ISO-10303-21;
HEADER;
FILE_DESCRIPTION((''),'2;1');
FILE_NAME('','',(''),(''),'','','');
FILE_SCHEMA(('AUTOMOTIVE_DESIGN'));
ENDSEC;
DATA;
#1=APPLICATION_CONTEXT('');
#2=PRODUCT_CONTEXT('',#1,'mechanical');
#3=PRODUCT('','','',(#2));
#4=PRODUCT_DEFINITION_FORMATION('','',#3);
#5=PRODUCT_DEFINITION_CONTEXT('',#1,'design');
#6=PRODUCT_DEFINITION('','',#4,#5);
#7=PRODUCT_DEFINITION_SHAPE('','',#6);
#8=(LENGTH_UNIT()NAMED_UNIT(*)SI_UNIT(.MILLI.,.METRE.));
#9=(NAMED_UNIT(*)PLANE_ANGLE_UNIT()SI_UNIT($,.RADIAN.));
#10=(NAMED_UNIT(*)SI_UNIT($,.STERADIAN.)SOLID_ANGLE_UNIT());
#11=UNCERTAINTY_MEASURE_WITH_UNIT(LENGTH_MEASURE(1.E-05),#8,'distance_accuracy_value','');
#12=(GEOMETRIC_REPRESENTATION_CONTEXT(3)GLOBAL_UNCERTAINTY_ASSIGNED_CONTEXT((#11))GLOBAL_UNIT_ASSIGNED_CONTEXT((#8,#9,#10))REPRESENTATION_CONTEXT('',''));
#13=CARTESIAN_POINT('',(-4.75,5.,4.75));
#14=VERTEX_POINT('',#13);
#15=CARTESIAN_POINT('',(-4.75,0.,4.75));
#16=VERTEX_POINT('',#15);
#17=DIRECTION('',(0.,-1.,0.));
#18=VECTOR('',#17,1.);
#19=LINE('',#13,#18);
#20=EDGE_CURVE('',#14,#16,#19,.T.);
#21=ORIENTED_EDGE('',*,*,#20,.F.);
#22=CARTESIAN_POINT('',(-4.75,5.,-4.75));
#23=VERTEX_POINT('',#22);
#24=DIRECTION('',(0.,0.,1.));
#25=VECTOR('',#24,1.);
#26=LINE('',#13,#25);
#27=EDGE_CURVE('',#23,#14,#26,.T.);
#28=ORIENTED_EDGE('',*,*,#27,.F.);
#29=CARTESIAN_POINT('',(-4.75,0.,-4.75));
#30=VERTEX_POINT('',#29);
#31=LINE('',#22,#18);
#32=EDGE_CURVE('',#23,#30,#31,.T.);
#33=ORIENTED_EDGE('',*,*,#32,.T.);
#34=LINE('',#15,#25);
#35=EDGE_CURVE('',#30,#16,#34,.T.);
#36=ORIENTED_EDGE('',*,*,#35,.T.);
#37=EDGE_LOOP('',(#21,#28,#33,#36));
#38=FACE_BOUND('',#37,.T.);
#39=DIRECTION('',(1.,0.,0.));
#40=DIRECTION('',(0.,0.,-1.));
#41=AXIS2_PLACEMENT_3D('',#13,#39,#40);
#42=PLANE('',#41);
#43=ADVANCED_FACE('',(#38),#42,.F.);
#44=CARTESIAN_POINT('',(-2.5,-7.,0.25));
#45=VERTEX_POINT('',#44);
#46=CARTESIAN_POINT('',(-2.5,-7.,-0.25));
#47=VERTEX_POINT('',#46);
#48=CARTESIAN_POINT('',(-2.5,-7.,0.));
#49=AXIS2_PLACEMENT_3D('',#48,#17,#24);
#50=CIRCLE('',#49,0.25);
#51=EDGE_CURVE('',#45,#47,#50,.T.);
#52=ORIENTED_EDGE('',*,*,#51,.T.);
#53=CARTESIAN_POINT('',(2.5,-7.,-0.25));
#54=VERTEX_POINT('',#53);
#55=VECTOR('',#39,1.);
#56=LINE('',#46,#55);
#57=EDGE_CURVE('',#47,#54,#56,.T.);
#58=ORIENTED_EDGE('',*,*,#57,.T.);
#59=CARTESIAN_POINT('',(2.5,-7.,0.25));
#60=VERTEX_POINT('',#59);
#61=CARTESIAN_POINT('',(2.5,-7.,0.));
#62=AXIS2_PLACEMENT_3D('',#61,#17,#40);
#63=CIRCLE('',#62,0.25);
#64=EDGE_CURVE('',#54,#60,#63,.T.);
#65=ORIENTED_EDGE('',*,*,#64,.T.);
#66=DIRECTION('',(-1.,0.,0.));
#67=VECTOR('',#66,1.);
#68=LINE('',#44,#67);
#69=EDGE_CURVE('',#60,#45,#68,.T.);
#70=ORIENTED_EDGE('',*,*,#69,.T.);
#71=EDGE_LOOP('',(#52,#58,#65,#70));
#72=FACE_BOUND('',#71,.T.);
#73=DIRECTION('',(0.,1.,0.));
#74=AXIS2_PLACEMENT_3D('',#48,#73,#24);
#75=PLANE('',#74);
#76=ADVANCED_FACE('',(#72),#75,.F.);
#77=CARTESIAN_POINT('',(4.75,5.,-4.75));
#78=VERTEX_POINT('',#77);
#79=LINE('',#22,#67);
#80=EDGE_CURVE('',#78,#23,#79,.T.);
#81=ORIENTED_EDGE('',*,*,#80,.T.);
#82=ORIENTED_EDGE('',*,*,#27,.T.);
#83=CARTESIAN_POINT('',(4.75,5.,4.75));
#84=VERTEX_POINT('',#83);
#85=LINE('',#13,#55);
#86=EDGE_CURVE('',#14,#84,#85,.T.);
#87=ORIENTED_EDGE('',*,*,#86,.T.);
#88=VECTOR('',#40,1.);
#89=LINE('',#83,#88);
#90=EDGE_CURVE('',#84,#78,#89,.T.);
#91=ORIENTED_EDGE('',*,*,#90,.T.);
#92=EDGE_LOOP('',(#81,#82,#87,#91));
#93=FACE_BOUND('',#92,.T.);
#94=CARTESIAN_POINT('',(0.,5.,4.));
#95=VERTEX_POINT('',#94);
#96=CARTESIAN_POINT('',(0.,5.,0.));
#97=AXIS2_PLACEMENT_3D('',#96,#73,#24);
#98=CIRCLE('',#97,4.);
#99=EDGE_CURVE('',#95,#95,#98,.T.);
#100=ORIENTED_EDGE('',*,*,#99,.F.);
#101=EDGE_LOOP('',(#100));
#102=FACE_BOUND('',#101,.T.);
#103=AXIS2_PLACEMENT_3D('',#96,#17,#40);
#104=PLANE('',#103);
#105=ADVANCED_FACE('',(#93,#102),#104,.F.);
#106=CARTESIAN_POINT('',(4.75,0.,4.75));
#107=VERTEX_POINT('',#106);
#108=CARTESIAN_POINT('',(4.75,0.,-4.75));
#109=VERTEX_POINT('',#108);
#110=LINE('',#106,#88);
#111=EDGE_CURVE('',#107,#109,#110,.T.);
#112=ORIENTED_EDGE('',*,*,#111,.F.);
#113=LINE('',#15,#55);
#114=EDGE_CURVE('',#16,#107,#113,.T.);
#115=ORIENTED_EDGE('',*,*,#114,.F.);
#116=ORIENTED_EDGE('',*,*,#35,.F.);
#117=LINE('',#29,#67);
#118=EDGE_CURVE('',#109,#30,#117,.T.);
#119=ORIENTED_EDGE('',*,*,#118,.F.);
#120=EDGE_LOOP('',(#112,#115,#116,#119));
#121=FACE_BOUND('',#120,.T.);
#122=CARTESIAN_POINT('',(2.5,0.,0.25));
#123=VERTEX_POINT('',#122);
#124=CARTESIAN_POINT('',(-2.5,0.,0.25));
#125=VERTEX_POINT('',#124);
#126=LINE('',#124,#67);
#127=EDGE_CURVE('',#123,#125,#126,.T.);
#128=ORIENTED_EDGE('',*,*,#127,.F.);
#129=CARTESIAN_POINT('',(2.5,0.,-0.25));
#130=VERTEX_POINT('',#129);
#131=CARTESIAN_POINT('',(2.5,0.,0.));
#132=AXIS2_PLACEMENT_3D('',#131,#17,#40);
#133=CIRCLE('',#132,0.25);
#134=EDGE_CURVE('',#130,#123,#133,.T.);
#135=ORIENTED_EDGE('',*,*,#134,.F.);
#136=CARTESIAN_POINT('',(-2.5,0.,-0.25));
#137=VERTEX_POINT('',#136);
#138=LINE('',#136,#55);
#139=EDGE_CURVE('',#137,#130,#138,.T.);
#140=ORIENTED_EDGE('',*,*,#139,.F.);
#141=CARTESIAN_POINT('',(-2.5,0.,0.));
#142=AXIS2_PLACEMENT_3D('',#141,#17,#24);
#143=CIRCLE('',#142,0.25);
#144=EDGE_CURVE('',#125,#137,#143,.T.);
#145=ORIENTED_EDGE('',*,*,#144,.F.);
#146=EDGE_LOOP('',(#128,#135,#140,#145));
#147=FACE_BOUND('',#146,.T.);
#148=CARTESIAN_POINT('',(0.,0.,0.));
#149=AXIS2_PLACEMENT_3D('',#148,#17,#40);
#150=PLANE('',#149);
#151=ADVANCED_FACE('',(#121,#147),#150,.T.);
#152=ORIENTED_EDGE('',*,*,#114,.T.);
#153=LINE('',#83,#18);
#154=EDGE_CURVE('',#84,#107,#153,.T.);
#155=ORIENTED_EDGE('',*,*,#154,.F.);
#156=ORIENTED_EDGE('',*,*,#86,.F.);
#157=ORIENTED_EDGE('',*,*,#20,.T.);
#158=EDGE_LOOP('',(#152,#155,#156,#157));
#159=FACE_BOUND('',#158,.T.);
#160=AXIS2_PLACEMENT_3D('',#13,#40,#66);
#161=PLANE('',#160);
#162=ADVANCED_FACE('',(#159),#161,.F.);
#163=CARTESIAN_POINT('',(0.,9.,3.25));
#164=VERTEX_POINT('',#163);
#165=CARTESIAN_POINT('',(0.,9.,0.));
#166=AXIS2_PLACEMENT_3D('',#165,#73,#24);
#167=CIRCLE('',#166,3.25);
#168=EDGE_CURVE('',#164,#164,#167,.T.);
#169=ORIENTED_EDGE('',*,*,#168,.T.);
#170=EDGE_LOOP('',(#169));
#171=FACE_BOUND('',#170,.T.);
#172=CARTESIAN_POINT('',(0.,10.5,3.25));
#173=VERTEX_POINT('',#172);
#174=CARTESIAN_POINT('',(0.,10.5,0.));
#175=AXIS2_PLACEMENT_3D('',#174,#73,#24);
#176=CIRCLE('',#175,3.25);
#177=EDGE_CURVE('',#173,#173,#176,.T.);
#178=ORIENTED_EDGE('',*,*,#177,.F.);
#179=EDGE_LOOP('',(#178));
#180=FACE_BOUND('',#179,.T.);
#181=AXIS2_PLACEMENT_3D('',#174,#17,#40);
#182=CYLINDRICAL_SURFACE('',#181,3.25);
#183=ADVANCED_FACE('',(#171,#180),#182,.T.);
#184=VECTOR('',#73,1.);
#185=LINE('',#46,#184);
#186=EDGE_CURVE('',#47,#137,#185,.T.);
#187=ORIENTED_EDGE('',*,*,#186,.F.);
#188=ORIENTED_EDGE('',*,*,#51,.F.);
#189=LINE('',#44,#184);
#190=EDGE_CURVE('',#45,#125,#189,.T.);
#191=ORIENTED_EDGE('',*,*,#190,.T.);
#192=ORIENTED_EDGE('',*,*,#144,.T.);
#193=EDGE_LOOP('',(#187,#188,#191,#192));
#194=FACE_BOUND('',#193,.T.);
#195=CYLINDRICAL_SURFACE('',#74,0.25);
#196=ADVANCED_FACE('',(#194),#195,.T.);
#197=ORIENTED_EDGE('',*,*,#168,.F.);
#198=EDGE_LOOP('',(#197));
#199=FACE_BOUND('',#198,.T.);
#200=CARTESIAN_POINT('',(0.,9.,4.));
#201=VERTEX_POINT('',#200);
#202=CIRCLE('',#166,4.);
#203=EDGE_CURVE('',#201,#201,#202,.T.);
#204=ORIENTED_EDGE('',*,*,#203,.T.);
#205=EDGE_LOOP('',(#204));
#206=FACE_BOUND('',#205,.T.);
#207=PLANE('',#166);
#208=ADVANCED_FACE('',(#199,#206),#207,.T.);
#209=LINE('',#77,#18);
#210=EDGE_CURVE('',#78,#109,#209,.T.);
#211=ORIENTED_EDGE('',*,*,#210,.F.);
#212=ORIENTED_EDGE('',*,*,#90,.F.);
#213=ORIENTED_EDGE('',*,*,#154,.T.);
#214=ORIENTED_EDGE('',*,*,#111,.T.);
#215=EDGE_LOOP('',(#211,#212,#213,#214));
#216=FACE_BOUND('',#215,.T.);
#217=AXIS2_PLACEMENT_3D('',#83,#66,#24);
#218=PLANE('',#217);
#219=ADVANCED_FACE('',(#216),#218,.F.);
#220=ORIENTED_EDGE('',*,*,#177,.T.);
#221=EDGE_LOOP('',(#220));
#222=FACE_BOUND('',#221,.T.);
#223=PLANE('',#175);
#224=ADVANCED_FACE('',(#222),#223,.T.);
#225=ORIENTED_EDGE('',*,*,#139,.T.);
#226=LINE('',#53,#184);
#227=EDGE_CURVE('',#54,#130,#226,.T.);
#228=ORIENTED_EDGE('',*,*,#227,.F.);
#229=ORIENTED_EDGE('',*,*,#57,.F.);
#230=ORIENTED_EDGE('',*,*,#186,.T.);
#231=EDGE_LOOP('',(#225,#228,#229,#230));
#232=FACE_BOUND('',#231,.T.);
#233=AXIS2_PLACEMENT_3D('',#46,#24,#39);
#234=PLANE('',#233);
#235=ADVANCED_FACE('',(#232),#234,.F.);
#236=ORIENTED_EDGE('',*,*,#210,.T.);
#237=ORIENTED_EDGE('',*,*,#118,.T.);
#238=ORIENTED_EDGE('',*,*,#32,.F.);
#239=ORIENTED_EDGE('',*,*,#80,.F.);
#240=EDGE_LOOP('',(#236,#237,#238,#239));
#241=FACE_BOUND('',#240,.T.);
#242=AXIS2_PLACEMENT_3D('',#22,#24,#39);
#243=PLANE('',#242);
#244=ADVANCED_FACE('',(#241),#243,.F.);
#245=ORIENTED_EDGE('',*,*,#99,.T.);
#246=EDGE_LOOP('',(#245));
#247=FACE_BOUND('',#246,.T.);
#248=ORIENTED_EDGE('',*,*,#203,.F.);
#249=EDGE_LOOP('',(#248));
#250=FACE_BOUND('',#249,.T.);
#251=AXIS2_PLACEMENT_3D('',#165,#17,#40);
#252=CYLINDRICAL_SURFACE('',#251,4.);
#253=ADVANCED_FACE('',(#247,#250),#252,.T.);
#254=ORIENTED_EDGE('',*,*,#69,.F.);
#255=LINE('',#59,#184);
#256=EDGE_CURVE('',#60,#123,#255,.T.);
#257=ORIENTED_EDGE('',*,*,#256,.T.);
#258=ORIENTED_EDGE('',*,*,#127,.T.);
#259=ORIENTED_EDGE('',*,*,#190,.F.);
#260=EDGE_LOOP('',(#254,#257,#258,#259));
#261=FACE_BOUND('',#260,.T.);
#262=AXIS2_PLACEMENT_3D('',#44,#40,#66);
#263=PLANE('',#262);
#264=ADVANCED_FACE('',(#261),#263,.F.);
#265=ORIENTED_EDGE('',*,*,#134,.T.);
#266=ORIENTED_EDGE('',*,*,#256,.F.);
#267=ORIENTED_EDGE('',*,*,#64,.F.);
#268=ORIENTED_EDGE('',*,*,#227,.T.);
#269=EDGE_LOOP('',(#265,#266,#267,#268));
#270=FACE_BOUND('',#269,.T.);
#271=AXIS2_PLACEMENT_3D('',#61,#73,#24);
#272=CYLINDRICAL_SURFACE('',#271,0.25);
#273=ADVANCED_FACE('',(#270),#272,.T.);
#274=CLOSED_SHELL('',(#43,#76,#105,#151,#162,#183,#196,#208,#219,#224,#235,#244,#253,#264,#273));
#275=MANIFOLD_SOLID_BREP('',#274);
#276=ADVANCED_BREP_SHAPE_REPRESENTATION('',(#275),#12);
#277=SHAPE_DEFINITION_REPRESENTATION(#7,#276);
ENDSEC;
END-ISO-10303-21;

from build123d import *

# Parameters (mm, degrees)
SKETCH2_W           = 9.5
SKETCH2_H           = 9.5
BOSS_EXTRUDE1_DEPTH = 5
SKETCH3_R           = 4
BOSS_EXTRUDE2_DEPTH = 4
SKETCH4_R           = 3.25
BOSS_EXTRUDE3_DEPTH = 1.5
BOSS_EXTRUDE4_DEPTH = 7


with BuildPart() as part:
    # Sketch2 → Boss-Extrude1 (new body)
    with BuildSketch(Plane(origin=(0, 0, 0), x_dir=(1, 0, 0), z_dir=(0, 1, 0))):
        Rectangle(SKETCH2_W, SKETCH2_H)
    extrude(amount=BOSS_EXTRUDE1_DEPTH)

    # Sketch3 → Boss-Extrude2 (add)
    with BuildSketch(Plane(origin=(0, 5, 0), x_dir=(1, 0, 0), z_dir=(0, 1, 0))):
        with Locations(Location((0, 0, 0), (0, 0, 270))):
            Circle(SKETCH3_R)
    extrude(amount=BOSS_EXTRUDE2_DEPTH)

    # Sketch4 → Boss-Extrude3 (add)
    with BuildSketch(Plane(origin=(0, 9, 0), x_dir=(1, 0, 0), z_dir=(0, 1, 0))):
        with Locations(Location((0, 0, 0), (0, 0, 270))):
            Circle(SKETCH4_R)
    extrude(amount=BOSS_EXTRUDE3_DEPTH)

    # Sketch5 → Boss-Extrude4 (add)
    with BuildSketch(Plane.XZ):
        with BuildLine():
            Line((-2.5, -0.25), (2.5, -0.25))
            ThreePointArc((2.5, -0.25), (2.75, 0), (2.5, 0.25))
            Line((2.5, 0.25), (-2.5, 0.25))
            ThreePointArc((-2.5, 0.25), (-2.75, 0), (-2.5, -0.25))
        make_face()
    extrude(amount=BOSS_EXTRUDE4_DEPTH)


solid = part.part
